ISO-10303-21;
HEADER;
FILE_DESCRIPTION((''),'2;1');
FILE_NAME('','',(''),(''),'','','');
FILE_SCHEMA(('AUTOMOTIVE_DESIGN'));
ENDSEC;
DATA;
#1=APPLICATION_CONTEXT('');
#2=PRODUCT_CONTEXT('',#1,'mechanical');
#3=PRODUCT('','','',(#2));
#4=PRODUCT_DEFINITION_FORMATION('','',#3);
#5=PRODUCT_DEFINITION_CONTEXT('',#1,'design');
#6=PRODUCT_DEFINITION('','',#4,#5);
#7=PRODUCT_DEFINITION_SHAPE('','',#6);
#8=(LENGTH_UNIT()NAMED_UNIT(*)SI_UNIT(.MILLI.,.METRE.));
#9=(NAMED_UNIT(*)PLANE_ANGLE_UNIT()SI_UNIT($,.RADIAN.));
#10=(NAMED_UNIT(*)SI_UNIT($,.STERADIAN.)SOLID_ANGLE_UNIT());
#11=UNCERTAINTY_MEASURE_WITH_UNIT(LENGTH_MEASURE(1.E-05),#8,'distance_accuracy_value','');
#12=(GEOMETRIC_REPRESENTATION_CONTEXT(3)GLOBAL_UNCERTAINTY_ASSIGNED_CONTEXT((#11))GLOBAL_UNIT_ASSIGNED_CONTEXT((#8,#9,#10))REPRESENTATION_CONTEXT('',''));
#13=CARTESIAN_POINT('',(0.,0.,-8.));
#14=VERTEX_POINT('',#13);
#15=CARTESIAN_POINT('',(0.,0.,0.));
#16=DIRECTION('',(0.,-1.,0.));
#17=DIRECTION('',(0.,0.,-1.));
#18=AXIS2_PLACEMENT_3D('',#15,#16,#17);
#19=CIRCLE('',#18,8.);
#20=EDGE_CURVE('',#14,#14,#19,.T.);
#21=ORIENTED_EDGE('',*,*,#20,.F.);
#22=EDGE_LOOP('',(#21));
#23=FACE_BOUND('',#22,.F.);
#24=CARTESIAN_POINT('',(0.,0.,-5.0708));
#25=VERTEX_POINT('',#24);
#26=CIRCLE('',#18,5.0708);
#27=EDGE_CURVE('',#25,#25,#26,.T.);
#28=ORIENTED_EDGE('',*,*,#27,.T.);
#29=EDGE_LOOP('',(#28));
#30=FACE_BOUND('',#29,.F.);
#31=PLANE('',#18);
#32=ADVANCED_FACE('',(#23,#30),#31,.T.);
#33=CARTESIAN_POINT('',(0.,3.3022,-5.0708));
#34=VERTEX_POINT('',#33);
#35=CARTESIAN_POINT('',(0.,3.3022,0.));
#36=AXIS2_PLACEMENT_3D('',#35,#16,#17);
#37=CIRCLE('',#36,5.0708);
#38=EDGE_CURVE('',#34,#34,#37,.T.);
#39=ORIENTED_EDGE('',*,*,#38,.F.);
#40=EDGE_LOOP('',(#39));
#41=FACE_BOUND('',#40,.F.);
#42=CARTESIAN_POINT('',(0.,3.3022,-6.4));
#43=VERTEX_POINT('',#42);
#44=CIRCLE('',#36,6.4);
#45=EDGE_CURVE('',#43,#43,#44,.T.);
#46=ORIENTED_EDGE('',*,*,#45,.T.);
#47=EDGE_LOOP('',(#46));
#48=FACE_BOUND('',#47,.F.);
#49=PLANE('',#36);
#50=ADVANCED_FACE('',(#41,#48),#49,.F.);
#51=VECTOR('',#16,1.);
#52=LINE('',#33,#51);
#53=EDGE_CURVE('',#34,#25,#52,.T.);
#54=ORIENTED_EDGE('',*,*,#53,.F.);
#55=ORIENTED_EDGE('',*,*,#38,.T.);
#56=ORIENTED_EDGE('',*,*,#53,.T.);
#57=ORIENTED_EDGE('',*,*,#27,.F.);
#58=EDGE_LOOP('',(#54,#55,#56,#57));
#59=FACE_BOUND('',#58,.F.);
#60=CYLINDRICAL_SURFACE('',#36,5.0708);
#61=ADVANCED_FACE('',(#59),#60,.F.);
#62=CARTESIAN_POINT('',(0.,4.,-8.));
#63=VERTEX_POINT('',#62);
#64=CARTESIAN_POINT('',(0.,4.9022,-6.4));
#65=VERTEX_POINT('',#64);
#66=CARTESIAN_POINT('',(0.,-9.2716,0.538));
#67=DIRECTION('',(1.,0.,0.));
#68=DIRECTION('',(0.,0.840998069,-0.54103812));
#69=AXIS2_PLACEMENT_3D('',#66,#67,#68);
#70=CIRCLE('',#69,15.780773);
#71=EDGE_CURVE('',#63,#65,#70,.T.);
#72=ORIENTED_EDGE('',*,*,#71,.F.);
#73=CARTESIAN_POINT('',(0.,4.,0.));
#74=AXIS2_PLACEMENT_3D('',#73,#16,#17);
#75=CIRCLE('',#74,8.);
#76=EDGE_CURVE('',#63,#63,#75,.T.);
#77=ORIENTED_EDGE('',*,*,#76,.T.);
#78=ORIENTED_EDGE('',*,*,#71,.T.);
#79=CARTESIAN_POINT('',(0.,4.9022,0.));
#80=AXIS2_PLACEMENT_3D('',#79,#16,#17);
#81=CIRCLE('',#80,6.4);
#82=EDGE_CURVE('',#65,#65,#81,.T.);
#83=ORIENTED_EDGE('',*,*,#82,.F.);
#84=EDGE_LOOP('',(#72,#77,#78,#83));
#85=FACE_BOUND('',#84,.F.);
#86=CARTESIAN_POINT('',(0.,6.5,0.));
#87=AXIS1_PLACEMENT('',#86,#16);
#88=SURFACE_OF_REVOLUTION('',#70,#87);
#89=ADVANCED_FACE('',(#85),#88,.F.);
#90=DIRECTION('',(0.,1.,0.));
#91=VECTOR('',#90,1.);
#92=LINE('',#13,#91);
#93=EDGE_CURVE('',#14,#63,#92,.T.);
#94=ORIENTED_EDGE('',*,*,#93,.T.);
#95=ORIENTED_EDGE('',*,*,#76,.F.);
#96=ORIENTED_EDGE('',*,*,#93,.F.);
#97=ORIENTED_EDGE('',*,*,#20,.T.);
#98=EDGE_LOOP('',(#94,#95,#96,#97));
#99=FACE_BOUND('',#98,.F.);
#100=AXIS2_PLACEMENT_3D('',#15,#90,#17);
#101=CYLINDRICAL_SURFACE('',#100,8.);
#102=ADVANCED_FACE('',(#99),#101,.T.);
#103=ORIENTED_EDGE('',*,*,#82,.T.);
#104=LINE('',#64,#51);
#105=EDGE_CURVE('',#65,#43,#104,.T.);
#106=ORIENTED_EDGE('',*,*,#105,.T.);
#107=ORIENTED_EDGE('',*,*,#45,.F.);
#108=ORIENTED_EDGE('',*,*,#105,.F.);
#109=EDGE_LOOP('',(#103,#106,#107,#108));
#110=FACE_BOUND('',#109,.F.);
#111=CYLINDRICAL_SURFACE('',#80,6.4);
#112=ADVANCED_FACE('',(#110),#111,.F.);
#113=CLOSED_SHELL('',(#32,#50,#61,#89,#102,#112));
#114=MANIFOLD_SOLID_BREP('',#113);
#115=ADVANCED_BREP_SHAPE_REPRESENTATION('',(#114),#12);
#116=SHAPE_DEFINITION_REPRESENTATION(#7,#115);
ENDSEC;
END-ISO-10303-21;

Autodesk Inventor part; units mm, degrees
ref_plane "YZ Plane" through (0, 0, 0) normal (1, 0, 0) x (0, 1, 0)
ref_plane "XZ Plane" through (0, 0, 0) normal (0, 1, 0) x (-1, 0, 0)
ref_plane "XY Plane" through (0, 0, 0) normal (0, 0, 1) x (1, 0, 0)
sketch "Sketch1" plane through (0, 0, 0) normal (1, 0, 0) x (0, 1, 0)
  line L0 (0, 0) -> (0, -8)
  line L1 (0, 0) -> (8, 0) construction
  line L2 (0, -8) -> (4, -8)
  arc A0 (4, -8) -> (6.5, 0) centre (-9.2716, 0.538) ccw
  line L3 (6.5, 0) -> (0, 0)
  line L4 (4.9022, -6.4) -> (3.3022, -6.4)
  line L5 (3.3022, -6.4) -> (3.3022, 0)
  line L6 (0, 0) -> (3.3022, 0)
  line L7 (3.3022, -5.0708) -> (0, -5.0708)
  dimension "d0" = 8
  dimension "d1" = 90
  dimension "d2" = 4
  dimension "d3" = 90
  dimension "d4" = 6.5
  dimension "d6" = 6.4
  dimension "d7" = 1.6
revolve "Revolution1" add sketch "Sketch1" angle 360 about axis through (0, 6.5, 0) along (0, -1, 0) contours L7 L5 L4 A0 L2 L0
properties part number "30_Beamexpander_Lens_Adapter"
